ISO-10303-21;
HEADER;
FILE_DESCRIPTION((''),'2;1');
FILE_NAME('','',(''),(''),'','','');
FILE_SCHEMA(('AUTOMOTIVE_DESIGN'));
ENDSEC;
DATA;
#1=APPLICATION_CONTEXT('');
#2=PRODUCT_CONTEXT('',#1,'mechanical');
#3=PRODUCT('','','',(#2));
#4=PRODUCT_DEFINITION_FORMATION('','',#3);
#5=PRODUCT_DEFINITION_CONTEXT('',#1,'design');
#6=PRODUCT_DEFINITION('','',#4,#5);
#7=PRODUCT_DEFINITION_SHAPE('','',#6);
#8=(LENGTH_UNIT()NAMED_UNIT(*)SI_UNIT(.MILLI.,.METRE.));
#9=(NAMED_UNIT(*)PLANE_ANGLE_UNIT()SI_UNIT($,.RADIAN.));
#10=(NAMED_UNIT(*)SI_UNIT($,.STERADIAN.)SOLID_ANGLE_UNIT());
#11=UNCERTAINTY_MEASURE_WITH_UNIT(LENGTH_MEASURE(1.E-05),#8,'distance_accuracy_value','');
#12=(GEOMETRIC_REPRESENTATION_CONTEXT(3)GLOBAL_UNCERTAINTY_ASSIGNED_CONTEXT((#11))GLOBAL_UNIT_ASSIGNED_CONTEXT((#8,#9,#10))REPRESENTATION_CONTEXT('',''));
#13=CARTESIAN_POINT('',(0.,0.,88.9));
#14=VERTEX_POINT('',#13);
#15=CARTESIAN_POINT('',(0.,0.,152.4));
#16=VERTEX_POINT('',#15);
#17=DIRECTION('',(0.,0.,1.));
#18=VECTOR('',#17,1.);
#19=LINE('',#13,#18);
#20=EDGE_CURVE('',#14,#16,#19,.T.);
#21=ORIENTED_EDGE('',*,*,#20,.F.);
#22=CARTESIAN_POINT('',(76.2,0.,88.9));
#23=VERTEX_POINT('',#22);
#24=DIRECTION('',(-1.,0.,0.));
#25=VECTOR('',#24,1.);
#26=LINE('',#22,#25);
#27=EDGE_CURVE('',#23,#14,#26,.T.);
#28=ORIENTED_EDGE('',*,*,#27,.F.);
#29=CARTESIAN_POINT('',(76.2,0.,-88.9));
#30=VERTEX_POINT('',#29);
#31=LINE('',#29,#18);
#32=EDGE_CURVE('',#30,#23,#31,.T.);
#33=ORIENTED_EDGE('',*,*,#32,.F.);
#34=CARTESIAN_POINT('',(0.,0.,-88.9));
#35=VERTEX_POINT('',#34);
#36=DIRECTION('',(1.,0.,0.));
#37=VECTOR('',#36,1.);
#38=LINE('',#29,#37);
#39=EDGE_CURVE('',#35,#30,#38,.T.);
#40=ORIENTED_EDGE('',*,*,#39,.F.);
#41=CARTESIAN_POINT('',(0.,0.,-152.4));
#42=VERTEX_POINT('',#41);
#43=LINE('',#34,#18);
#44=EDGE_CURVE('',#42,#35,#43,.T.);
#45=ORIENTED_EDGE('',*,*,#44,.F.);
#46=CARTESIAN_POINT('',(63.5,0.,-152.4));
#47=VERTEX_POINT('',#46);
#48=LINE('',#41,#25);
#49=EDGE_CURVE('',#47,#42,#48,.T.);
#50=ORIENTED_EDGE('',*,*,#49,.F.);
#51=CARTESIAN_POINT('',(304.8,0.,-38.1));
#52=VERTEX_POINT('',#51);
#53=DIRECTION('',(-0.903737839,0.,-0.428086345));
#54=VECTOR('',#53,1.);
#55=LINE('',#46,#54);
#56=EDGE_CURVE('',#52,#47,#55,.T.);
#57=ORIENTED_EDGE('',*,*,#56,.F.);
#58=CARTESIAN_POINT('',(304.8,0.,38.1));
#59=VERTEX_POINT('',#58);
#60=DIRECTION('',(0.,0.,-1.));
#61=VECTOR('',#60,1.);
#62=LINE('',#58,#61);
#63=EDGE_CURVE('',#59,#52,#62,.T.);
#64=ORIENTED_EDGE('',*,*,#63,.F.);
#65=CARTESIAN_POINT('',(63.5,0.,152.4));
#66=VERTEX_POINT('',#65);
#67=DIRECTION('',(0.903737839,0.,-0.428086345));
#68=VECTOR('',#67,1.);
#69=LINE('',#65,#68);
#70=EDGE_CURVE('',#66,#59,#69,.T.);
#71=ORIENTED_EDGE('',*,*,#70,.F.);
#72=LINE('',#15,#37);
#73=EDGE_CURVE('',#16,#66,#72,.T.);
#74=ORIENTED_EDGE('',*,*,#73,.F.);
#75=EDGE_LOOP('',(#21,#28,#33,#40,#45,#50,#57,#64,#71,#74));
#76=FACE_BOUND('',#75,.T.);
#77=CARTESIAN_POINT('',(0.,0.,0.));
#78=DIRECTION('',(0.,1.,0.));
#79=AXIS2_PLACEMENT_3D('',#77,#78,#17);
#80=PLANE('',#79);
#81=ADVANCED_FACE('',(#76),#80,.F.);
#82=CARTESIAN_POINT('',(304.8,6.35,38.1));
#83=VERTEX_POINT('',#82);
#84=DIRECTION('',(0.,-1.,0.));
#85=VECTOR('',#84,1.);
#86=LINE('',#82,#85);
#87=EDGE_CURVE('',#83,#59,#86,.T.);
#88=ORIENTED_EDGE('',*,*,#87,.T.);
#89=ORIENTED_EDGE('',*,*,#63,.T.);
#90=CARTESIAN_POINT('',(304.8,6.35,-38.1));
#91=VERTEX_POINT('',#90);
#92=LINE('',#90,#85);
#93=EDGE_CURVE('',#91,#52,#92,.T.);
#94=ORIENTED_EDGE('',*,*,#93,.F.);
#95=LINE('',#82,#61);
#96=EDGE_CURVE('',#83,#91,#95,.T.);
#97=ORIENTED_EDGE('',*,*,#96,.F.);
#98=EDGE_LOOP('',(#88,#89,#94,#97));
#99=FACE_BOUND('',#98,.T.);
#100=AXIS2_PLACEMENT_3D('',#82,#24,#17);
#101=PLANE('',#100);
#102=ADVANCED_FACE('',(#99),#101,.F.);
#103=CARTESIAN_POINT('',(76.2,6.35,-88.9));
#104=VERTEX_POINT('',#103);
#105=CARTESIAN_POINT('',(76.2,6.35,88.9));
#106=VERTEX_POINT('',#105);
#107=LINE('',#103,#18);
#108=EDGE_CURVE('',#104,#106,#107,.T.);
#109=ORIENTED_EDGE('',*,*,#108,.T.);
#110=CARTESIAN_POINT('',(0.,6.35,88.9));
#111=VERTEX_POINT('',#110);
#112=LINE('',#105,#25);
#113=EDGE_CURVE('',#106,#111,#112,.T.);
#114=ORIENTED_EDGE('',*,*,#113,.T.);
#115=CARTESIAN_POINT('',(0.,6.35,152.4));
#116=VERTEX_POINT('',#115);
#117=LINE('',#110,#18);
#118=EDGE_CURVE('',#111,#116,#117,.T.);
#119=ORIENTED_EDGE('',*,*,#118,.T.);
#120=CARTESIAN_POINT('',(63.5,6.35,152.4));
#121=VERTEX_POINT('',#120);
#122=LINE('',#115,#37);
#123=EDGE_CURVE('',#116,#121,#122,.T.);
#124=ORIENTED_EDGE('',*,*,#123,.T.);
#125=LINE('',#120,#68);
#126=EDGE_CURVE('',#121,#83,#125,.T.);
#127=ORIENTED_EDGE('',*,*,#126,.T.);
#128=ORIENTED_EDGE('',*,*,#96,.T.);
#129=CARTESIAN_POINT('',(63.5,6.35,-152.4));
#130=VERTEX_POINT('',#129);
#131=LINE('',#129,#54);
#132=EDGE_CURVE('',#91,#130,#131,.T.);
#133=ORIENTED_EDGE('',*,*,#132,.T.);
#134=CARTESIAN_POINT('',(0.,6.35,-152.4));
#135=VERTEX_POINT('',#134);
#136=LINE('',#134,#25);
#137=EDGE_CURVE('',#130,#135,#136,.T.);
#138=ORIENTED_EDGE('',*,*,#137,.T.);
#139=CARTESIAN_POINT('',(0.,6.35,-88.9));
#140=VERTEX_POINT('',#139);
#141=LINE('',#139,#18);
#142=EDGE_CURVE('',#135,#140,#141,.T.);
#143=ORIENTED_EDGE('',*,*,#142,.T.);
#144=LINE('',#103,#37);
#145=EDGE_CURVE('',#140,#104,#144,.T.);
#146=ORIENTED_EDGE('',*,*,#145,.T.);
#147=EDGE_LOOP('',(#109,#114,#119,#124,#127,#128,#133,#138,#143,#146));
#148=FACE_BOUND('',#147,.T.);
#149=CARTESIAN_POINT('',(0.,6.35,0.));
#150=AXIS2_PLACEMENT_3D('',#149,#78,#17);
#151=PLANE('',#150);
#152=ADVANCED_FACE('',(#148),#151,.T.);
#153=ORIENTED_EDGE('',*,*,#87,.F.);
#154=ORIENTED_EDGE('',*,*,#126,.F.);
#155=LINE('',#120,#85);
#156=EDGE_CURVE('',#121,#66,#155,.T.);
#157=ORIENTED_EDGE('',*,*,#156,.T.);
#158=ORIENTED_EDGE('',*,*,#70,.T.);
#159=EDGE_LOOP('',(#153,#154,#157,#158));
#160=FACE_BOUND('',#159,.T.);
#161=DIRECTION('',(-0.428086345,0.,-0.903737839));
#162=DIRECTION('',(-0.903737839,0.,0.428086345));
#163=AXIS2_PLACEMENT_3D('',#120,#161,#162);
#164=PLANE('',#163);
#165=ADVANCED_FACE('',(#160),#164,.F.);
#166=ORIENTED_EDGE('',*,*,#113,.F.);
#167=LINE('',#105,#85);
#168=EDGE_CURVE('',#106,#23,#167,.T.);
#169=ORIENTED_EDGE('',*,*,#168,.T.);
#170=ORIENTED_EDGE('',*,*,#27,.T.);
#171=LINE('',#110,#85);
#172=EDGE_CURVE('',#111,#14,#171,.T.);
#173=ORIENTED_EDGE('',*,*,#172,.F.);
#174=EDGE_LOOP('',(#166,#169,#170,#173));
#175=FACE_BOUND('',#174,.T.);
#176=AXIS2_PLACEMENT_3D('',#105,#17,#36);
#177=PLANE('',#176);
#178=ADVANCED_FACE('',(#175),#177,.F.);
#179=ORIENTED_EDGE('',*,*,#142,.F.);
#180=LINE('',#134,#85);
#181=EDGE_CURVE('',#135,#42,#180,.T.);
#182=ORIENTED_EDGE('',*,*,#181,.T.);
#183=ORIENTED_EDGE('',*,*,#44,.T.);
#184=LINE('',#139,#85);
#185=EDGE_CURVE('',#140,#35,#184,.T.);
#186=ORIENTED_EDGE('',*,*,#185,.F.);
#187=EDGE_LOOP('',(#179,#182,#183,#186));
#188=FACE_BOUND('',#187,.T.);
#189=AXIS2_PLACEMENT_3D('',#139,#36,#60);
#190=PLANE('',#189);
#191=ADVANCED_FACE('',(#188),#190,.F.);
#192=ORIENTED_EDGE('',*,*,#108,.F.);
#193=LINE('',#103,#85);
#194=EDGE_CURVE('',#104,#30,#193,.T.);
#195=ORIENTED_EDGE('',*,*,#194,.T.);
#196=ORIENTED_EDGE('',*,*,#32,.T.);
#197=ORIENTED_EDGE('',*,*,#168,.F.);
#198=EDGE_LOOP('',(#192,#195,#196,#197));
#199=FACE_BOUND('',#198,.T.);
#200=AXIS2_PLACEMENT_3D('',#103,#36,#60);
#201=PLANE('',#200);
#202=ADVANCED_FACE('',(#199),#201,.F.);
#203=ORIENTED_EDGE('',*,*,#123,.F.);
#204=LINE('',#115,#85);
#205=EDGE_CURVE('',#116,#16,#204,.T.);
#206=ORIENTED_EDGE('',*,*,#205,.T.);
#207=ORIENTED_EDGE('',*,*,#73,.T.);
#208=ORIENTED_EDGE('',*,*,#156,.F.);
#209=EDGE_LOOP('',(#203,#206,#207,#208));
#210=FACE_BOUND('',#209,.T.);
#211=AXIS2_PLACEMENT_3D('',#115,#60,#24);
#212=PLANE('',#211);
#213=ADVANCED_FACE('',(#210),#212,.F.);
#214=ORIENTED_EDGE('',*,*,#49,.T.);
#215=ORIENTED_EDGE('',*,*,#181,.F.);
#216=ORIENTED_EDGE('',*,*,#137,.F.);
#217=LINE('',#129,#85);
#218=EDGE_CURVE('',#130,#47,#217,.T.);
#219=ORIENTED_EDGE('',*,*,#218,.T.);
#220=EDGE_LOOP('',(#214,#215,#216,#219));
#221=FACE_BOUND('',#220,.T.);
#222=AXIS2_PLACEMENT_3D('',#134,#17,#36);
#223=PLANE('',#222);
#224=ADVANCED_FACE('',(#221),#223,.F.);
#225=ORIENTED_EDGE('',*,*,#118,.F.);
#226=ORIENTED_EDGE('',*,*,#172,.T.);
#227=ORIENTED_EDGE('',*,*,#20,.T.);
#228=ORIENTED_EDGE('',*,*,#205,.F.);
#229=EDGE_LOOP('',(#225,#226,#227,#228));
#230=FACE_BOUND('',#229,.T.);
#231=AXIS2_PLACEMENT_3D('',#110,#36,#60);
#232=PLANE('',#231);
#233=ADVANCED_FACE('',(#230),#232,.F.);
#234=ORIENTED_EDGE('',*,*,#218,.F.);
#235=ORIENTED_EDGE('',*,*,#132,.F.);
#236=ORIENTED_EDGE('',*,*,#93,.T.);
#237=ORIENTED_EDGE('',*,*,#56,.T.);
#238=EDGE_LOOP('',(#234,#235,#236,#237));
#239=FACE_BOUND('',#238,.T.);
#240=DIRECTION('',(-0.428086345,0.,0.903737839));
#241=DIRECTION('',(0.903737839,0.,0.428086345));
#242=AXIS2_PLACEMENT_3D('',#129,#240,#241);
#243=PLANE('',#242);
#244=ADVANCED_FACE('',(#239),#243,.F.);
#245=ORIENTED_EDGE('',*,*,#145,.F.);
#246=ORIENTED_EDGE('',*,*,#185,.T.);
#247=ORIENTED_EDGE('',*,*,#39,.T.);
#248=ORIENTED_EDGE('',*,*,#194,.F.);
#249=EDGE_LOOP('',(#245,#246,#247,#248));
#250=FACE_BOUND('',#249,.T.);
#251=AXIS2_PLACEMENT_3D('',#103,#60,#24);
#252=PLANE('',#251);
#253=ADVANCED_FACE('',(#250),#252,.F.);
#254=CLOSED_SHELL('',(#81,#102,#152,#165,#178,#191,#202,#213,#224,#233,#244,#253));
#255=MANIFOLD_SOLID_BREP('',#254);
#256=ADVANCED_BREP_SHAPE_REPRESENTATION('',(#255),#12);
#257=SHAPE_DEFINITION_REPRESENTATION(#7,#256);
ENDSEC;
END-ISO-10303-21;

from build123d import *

# Parameters (mm, degrees)
BOSS_EXTRUDE1_DEPTH = 6.35


with BuildPart() as part:
    # Sketch1 → Boss-Extrude1 (new body)
    with BuildSketch(Plane(origin=(0, 0, 0), x_dir=(1, 0, 0), z_dir=(0, 1, 0))):
        Polygon((76.2, 88.9), (76.2, -88.9), (0, -88.9), (0, -152.4), (63.5, -152.4), (304.8, -38.1), (304.8, 38.1), (63.5, 152.4), (0, 152.4), (0, 88.9), align=None)
    extrude(amount=BOSS_EXTRUDE1_DEPTH)


solid = part.part
